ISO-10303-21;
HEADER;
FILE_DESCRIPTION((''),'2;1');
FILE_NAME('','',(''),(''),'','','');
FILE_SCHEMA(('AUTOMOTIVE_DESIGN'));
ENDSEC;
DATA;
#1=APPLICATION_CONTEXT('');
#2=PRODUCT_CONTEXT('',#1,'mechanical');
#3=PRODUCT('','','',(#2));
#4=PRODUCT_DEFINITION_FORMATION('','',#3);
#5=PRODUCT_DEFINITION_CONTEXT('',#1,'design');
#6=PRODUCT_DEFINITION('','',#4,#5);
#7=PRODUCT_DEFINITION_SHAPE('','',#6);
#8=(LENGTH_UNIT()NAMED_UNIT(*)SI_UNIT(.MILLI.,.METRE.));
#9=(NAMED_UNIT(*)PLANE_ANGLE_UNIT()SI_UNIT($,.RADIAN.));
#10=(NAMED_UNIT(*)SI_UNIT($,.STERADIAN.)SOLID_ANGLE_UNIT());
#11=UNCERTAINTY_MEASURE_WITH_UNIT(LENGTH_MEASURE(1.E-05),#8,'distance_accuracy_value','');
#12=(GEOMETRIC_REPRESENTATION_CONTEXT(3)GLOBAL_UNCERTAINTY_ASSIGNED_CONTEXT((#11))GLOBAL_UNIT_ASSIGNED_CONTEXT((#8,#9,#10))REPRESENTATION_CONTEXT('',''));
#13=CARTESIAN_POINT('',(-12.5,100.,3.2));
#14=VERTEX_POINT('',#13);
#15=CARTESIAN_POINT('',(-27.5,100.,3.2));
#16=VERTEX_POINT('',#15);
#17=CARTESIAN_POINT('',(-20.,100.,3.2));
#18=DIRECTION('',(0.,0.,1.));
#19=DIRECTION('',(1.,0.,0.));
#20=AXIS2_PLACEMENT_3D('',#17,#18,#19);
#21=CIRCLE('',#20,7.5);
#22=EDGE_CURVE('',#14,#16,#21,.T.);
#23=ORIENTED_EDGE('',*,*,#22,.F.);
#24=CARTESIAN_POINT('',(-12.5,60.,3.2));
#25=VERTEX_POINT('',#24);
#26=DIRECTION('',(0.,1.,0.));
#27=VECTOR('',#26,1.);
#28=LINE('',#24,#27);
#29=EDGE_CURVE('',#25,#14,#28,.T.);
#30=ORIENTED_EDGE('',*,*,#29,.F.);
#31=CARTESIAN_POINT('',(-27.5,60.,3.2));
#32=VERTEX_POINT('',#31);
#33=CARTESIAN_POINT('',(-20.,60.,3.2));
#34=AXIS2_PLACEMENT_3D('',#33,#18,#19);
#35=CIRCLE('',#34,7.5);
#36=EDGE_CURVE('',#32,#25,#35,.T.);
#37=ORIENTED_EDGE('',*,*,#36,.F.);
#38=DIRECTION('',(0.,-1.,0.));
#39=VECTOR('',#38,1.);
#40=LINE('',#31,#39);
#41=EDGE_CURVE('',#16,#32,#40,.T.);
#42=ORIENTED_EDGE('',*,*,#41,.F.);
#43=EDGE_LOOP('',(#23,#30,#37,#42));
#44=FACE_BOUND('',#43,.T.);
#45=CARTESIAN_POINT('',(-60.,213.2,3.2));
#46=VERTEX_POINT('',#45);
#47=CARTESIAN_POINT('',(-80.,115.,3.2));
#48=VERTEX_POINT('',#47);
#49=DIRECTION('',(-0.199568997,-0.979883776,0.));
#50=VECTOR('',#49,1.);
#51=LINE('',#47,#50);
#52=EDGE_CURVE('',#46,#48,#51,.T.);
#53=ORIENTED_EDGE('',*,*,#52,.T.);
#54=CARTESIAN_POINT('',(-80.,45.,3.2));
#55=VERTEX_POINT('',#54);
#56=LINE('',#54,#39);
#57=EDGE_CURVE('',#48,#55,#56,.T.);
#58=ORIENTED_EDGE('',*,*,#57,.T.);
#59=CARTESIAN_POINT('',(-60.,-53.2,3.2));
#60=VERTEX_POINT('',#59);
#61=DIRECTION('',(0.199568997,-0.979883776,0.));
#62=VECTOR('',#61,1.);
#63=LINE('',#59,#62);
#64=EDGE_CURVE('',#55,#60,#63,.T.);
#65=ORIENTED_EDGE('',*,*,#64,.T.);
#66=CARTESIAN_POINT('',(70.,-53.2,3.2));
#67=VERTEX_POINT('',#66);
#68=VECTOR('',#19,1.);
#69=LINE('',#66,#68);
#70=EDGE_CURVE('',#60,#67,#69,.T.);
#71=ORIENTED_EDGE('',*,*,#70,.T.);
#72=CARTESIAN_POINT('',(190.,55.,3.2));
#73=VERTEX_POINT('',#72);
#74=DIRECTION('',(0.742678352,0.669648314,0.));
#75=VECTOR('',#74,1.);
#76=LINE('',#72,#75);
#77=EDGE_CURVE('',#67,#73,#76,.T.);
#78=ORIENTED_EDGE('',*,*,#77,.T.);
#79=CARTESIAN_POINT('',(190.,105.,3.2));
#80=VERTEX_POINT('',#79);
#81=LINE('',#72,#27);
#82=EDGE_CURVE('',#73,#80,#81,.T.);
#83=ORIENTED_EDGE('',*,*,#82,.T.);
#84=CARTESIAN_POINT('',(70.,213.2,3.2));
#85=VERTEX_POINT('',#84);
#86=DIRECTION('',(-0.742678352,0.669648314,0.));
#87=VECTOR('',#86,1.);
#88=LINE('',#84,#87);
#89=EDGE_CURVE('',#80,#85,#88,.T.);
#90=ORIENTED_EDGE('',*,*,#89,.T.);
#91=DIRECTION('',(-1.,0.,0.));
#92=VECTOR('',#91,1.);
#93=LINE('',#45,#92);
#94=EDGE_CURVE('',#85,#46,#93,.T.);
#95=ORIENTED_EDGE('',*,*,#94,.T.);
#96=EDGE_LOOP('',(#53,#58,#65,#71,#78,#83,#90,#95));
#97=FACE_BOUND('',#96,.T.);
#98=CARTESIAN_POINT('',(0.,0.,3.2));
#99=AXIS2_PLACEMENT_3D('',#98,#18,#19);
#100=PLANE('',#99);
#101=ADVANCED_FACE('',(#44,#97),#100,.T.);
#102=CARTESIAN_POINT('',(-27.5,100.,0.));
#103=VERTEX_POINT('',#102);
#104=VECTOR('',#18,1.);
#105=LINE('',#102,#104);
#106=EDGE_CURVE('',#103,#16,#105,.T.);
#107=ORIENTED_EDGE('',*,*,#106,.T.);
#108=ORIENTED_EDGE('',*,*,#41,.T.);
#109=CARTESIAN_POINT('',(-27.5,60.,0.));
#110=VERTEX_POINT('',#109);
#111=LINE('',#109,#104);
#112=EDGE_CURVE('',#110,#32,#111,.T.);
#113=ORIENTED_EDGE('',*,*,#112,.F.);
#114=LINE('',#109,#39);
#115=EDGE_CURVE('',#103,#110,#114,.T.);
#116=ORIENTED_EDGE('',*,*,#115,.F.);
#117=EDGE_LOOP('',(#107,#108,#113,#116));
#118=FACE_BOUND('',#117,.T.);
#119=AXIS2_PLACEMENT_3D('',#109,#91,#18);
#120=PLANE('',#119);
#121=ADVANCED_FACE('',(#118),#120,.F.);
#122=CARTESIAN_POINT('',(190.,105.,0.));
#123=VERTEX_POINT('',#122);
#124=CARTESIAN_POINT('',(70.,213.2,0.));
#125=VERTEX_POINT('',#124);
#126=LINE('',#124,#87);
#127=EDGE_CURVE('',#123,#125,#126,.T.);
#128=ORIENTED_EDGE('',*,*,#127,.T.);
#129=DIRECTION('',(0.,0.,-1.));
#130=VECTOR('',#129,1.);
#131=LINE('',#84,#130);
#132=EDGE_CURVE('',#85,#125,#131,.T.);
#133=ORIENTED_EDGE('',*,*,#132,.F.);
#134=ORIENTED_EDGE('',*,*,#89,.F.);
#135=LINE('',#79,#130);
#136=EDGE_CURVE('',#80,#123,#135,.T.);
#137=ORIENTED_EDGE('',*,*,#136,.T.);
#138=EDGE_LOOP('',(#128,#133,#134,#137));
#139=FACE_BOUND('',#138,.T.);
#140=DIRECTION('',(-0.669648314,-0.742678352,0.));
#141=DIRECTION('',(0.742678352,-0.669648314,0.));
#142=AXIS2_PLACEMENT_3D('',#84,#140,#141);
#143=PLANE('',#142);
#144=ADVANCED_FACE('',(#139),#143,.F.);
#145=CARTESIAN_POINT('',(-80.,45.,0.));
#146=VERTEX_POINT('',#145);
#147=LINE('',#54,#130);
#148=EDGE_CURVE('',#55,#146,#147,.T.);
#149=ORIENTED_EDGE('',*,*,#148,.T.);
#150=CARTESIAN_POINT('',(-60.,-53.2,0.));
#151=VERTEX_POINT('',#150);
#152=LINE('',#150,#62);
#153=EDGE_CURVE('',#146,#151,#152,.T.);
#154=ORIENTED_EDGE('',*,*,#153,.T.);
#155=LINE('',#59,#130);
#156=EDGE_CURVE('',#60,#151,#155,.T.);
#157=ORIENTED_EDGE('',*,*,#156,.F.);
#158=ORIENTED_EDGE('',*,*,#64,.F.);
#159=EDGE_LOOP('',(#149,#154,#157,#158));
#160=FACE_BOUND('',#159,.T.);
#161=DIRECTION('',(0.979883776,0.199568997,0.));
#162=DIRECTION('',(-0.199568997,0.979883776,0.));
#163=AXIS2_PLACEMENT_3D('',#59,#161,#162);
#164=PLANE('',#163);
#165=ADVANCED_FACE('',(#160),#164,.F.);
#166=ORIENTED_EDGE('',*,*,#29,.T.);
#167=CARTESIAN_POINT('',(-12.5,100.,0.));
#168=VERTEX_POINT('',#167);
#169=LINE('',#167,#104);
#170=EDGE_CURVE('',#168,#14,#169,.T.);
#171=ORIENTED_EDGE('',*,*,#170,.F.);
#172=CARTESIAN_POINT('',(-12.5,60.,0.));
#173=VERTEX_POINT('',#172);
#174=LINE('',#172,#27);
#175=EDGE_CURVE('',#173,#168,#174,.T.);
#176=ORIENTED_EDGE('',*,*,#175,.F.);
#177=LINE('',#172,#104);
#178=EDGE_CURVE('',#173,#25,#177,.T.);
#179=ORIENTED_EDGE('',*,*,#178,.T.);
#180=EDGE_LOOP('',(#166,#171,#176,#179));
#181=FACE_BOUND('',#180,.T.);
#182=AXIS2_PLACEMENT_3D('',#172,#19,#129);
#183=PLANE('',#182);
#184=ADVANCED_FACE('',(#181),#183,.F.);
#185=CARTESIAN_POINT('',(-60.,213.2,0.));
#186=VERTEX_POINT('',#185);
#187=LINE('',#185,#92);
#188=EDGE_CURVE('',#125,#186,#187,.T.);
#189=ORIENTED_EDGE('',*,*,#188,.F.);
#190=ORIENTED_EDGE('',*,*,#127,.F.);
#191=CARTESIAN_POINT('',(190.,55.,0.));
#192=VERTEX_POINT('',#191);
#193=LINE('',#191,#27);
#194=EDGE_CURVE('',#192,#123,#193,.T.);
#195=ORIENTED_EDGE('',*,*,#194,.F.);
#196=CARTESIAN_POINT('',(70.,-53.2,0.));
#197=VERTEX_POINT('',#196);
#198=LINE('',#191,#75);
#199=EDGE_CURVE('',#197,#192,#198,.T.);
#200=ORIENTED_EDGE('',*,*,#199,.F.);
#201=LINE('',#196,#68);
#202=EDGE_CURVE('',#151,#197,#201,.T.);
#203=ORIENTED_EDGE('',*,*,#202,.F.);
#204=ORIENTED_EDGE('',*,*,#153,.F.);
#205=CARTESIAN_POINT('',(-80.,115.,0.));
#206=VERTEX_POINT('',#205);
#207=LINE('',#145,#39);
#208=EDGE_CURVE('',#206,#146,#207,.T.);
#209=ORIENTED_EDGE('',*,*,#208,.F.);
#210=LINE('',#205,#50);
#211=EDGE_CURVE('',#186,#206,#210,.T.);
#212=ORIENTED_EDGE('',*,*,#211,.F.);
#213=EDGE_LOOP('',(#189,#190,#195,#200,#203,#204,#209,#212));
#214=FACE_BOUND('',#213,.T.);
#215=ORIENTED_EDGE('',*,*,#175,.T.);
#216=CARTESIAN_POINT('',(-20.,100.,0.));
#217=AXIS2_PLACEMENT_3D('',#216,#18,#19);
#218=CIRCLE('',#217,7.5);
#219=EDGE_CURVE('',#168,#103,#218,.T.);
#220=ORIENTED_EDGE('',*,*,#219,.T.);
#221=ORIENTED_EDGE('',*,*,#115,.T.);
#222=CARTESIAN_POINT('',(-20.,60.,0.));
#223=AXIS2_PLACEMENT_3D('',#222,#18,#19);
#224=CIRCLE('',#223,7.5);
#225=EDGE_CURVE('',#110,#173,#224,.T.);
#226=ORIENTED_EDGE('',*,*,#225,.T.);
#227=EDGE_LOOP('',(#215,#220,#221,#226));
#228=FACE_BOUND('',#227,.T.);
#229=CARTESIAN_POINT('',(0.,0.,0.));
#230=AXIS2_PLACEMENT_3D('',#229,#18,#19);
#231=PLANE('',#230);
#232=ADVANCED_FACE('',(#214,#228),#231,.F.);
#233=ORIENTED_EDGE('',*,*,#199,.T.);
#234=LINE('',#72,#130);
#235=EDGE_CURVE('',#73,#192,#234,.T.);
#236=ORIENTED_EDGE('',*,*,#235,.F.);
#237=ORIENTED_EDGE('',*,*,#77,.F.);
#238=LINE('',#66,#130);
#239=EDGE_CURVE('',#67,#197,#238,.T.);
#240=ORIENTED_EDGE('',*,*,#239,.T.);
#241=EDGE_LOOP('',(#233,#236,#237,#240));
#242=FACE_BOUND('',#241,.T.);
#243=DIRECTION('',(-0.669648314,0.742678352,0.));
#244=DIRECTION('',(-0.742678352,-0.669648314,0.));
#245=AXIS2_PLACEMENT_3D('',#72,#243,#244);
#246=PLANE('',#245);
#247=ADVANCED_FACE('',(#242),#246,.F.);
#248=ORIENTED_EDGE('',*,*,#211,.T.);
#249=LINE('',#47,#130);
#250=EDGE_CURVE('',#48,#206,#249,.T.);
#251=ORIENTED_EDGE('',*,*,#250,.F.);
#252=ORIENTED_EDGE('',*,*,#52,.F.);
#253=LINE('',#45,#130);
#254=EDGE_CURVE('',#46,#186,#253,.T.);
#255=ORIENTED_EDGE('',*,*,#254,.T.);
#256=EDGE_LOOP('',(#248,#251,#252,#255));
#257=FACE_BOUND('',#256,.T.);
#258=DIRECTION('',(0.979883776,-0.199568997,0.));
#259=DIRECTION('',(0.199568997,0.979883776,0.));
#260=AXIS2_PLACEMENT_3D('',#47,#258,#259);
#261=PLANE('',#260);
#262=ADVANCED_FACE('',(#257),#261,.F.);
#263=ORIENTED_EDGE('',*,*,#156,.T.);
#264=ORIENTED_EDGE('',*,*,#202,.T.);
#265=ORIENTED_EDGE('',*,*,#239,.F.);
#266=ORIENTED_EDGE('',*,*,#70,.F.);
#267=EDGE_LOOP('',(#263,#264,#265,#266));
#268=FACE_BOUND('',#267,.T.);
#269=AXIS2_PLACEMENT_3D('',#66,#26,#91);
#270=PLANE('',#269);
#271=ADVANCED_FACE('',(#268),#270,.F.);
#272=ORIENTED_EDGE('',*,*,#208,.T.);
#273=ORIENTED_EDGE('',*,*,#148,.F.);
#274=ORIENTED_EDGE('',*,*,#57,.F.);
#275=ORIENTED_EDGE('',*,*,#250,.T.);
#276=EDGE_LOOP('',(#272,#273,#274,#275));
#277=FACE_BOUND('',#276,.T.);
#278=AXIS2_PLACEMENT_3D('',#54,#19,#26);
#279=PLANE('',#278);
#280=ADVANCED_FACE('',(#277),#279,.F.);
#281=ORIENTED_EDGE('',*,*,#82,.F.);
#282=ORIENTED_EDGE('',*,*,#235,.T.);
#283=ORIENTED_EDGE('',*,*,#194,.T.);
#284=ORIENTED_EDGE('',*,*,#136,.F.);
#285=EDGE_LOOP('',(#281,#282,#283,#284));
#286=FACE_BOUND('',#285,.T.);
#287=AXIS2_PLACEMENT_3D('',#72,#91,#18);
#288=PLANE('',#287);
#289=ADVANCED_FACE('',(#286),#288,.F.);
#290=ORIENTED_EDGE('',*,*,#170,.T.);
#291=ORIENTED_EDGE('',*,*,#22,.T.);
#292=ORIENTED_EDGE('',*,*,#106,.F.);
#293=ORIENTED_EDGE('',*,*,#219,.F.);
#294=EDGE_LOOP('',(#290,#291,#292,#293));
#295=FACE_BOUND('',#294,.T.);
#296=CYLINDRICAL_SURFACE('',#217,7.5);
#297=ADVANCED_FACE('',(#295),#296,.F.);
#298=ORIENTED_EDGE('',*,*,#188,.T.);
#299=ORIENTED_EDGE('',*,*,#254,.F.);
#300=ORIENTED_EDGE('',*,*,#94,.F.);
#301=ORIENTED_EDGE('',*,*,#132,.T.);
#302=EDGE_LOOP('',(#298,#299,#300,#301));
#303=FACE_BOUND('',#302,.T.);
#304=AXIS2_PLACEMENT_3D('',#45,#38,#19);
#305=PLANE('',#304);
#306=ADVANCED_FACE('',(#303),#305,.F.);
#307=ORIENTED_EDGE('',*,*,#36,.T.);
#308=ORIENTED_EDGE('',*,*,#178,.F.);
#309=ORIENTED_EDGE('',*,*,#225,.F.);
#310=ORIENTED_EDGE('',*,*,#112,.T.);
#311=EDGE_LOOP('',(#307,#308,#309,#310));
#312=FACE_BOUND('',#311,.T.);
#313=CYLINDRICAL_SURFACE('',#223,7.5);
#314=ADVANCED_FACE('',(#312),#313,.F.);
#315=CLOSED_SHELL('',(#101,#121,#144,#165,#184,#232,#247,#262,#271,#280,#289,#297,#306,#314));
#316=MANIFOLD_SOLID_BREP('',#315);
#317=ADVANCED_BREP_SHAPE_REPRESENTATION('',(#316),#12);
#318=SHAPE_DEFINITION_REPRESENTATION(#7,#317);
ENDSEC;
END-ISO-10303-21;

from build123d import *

# Parameters (mm, degrees)
EXTRUDE_1_DEPTH     = 3.2
CUT_EXTRUDE_1_DEPTH = 3.2


with BuildPart() as part:
    # Эскиз1 → Бобышка-Вытянуть1 (new body)
    with BuildSketch(Plane.XY):
        Polygon((70, -53.2), (-60, -53.2), (-80, 45), (-80, 115), (-60, 213.2), (70, 213.2), (190, 105), (190, 55), align=None)
    extrude(amount=EXTRUDE_1_DEPTH)

    # Эскиз2 → Вырез-Вытянуть1 (cut)
    with BuildSketch(Plane.XY.offset(3.2)):
        with BuildLine():
            Line((-27.5, 60), (-27.5, 100))
            ThreePointArc((-27.5, 100), (-20, 107.5), (-12.5, 100))
            Line((-12.5, 100), (-12.5, 60))
            ThreePointArc((-12.5, 60), (-20, 52.5), (-27.5, 60))
        make_face()
    extrude(amount=-CUT_EXTRUDE_1_DEPTH, mode=Mode.SUBTRACT)


solid = part.part
